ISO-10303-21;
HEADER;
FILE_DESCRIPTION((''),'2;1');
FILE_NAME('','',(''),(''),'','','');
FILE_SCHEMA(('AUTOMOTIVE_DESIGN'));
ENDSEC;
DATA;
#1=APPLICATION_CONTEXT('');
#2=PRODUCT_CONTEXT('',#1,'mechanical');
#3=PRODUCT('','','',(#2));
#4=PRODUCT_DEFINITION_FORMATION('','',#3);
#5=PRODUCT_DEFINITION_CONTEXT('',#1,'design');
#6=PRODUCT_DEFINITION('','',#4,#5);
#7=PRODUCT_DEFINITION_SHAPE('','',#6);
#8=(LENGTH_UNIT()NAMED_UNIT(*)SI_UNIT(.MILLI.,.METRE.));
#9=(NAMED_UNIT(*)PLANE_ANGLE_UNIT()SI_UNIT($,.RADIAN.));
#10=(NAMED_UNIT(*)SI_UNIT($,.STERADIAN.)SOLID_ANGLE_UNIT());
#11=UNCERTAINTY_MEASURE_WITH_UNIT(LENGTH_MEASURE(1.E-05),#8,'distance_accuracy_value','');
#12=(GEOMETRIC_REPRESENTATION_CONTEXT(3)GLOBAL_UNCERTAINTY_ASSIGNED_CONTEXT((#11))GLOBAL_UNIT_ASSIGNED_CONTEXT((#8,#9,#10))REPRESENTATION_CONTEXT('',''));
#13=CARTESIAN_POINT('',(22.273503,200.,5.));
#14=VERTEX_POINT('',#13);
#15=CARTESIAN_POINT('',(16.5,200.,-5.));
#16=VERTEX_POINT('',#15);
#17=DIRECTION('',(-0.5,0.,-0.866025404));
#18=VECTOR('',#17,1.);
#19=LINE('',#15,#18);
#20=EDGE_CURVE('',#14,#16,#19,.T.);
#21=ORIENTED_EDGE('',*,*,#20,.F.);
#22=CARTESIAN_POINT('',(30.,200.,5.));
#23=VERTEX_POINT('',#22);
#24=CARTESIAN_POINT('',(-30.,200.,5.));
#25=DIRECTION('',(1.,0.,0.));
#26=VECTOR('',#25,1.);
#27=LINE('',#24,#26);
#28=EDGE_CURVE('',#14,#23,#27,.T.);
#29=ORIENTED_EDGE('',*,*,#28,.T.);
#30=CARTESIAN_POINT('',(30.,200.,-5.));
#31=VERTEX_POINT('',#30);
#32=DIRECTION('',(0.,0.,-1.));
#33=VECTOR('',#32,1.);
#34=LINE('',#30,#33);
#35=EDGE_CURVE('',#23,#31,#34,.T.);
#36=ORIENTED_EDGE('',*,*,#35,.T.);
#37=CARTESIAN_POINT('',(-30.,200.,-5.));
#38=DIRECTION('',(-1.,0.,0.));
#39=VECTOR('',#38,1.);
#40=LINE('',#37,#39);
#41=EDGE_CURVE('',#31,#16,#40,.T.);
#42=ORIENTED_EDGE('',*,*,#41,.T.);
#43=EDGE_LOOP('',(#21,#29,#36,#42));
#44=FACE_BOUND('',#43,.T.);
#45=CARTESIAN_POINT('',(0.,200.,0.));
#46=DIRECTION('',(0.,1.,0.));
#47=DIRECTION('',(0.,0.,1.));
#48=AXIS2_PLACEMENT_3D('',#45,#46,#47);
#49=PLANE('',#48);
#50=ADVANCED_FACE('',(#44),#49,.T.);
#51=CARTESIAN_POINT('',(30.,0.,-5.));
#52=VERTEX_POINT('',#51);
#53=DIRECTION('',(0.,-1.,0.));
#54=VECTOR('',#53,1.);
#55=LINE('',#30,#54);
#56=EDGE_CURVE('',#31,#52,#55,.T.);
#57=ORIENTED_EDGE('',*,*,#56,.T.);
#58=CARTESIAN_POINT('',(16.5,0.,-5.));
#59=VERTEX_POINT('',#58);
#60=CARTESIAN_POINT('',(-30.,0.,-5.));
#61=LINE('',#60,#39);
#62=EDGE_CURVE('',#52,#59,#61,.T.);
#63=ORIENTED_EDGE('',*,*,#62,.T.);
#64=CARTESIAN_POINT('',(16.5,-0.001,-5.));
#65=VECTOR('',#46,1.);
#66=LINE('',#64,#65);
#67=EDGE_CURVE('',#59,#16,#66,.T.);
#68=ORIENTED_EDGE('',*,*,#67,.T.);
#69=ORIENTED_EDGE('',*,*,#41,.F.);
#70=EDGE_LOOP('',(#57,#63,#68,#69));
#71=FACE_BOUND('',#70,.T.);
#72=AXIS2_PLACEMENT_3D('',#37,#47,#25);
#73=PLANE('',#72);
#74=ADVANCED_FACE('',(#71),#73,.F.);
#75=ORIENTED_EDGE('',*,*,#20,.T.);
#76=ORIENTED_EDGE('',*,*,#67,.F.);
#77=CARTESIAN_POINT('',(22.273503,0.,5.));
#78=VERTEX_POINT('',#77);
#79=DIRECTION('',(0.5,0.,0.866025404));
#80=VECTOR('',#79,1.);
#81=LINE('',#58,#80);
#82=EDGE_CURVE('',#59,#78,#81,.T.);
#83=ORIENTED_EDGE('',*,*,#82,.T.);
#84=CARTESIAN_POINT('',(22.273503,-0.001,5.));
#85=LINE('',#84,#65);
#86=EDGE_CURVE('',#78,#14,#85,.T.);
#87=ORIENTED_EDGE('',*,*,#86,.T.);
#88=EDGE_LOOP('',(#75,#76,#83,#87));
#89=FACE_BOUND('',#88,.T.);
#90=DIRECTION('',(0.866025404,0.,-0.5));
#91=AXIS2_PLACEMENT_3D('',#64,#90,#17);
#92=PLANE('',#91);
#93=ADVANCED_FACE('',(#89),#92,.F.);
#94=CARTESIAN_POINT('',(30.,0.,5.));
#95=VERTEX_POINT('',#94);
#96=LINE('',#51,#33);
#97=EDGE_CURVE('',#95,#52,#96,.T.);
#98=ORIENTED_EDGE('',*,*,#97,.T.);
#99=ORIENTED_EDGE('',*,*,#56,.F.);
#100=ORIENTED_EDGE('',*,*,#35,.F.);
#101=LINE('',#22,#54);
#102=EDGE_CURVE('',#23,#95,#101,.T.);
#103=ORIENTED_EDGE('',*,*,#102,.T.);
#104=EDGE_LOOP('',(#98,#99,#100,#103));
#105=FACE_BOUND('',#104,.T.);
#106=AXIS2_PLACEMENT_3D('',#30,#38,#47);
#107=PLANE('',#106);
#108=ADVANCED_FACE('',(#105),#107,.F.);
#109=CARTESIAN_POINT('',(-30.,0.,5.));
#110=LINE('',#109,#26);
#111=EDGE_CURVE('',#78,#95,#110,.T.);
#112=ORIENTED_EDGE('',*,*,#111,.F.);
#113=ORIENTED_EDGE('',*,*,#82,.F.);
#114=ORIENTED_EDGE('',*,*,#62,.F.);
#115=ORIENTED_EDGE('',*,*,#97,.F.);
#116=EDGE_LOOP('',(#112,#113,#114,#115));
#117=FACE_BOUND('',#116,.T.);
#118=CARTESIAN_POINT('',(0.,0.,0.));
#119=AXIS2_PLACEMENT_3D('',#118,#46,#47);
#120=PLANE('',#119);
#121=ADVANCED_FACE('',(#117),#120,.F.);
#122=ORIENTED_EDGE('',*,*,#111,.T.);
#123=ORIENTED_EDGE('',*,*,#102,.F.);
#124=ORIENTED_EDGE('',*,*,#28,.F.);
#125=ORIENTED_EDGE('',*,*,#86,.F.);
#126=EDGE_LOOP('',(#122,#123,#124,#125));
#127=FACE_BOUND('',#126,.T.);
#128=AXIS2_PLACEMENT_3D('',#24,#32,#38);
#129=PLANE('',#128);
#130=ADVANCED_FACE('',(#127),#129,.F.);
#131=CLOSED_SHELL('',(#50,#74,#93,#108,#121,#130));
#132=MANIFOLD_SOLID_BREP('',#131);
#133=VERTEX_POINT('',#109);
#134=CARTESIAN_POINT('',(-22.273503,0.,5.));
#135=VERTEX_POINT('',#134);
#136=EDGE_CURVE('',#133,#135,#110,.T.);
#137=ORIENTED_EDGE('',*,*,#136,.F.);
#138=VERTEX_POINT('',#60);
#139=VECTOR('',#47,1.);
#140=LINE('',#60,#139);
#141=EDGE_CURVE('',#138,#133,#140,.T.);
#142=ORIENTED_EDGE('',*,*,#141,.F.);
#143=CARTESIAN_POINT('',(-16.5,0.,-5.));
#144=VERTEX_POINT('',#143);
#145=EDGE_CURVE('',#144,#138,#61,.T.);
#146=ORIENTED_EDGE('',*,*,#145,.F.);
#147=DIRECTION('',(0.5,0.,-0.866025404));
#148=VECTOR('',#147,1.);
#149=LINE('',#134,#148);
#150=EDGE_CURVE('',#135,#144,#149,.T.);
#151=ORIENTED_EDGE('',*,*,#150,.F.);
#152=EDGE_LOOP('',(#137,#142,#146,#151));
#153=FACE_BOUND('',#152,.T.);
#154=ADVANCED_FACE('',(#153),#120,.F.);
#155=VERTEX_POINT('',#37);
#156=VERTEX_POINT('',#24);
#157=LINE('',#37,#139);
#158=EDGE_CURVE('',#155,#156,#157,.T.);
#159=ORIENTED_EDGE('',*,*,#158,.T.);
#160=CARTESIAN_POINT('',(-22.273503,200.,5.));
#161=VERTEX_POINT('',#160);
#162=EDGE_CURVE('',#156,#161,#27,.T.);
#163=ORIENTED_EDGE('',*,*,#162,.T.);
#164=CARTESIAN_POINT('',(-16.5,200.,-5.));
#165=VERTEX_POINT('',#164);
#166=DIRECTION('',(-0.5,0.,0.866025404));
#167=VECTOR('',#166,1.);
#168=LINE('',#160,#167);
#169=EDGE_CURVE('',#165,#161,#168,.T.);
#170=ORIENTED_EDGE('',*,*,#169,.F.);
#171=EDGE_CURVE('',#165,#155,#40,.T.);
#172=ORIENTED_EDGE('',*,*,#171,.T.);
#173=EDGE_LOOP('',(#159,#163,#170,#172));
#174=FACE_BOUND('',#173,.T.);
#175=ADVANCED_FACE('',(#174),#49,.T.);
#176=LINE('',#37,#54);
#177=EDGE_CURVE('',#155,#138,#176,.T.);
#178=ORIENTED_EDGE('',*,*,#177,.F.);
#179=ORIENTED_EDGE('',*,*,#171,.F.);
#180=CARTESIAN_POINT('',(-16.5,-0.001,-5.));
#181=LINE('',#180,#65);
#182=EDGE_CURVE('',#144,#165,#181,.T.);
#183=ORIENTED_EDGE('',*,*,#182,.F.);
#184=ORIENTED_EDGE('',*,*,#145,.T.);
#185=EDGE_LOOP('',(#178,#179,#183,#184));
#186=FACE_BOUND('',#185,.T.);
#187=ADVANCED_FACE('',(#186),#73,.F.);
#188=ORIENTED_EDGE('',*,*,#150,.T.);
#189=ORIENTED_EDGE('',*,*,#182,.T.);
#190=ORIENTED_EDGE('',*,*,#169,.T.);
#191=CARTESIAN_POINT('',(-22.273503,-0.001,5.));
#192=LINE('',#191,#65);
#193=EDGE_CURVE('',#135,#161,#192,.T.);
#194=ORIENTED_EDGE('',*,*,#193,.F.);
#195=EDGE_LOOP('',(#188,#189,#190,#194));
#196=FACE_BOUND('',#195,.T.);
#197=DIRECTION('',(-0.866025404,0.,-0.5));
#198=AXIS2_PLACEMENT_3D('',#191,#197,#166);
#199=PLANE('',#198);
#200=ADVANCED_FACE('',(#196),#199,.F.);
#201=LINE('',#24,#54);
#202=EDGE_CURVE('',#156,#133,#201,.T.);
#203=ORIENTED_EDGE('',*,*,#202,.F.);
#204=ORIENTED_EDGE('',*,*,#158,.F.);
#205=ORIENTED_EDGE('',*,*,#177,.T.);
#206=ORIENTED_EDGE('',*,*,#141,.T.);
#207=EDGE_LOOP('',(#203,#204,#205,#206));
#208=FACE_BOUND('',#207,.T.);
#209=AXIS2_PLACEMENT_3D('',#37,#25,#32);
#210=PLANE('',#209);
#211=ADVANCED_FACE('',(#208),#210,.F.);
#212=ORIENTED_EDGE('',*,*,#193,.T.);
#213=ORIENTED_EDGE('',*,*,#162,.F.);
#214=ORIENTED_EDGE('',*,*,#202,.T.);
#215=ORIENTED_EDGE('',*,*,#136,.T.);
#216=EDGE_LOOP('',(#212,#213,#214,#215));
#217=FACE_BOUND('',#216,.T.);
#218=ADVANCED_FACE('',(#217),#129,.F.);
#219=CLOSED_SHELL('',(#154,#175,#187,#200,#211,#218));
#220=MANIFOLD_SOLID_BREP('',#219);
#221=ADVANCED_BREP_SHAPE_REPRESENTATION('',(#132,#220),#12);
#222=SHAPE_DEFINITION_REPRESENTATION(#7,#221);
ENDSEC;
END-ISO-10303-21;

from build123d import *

# Parameters (mm, degrees)
SKETCH_1_W          = 60
SKETCH_1_H          = 10
EXTRUDE_1_DEPTH     = 200
CUT_EXTRUDE_1_REACH = 202


with BuildPart() as part:
    # 草图1 → 凸台-拉伸1 (new body)
    with BuildSketch(Plane(origin=(0, 0, 0), x_dir=(1, 0, 0), z_dir=(0, 1, 0))):
        Rectangle(SKETCH_1_W, SKETCH_1_H)
    extrude(amount=EXTRUDE_1_DEPTH)

    # 草图2 → 切除-拉伸1 (cut, up to next)
    with BuildSketch(Plane(origin=(0, 200, 0), x_dir=(1, 0, 0), z_dir=(0, 1, 0)), mode=Mode.PRIVATE) as cut_extrude_1_sk1:
        Polygon((-22.273502692, -5), (-16.5, 5), (16.5, 5), (22.273502692, -5), align=None)
    cut_extrude_1_tool1 = extrude(cut_extrude_1_sk1.sketch, amount=-CUT_EXTRUDE_1_REACH, mode=Mode.PRIVATE) & part.part
    add(cut_extrude_1_tool1.solids().sort_by_distance((0, 200, 0.248172))[0], mode=Mode.SUBTRACT)


solid = part.part
